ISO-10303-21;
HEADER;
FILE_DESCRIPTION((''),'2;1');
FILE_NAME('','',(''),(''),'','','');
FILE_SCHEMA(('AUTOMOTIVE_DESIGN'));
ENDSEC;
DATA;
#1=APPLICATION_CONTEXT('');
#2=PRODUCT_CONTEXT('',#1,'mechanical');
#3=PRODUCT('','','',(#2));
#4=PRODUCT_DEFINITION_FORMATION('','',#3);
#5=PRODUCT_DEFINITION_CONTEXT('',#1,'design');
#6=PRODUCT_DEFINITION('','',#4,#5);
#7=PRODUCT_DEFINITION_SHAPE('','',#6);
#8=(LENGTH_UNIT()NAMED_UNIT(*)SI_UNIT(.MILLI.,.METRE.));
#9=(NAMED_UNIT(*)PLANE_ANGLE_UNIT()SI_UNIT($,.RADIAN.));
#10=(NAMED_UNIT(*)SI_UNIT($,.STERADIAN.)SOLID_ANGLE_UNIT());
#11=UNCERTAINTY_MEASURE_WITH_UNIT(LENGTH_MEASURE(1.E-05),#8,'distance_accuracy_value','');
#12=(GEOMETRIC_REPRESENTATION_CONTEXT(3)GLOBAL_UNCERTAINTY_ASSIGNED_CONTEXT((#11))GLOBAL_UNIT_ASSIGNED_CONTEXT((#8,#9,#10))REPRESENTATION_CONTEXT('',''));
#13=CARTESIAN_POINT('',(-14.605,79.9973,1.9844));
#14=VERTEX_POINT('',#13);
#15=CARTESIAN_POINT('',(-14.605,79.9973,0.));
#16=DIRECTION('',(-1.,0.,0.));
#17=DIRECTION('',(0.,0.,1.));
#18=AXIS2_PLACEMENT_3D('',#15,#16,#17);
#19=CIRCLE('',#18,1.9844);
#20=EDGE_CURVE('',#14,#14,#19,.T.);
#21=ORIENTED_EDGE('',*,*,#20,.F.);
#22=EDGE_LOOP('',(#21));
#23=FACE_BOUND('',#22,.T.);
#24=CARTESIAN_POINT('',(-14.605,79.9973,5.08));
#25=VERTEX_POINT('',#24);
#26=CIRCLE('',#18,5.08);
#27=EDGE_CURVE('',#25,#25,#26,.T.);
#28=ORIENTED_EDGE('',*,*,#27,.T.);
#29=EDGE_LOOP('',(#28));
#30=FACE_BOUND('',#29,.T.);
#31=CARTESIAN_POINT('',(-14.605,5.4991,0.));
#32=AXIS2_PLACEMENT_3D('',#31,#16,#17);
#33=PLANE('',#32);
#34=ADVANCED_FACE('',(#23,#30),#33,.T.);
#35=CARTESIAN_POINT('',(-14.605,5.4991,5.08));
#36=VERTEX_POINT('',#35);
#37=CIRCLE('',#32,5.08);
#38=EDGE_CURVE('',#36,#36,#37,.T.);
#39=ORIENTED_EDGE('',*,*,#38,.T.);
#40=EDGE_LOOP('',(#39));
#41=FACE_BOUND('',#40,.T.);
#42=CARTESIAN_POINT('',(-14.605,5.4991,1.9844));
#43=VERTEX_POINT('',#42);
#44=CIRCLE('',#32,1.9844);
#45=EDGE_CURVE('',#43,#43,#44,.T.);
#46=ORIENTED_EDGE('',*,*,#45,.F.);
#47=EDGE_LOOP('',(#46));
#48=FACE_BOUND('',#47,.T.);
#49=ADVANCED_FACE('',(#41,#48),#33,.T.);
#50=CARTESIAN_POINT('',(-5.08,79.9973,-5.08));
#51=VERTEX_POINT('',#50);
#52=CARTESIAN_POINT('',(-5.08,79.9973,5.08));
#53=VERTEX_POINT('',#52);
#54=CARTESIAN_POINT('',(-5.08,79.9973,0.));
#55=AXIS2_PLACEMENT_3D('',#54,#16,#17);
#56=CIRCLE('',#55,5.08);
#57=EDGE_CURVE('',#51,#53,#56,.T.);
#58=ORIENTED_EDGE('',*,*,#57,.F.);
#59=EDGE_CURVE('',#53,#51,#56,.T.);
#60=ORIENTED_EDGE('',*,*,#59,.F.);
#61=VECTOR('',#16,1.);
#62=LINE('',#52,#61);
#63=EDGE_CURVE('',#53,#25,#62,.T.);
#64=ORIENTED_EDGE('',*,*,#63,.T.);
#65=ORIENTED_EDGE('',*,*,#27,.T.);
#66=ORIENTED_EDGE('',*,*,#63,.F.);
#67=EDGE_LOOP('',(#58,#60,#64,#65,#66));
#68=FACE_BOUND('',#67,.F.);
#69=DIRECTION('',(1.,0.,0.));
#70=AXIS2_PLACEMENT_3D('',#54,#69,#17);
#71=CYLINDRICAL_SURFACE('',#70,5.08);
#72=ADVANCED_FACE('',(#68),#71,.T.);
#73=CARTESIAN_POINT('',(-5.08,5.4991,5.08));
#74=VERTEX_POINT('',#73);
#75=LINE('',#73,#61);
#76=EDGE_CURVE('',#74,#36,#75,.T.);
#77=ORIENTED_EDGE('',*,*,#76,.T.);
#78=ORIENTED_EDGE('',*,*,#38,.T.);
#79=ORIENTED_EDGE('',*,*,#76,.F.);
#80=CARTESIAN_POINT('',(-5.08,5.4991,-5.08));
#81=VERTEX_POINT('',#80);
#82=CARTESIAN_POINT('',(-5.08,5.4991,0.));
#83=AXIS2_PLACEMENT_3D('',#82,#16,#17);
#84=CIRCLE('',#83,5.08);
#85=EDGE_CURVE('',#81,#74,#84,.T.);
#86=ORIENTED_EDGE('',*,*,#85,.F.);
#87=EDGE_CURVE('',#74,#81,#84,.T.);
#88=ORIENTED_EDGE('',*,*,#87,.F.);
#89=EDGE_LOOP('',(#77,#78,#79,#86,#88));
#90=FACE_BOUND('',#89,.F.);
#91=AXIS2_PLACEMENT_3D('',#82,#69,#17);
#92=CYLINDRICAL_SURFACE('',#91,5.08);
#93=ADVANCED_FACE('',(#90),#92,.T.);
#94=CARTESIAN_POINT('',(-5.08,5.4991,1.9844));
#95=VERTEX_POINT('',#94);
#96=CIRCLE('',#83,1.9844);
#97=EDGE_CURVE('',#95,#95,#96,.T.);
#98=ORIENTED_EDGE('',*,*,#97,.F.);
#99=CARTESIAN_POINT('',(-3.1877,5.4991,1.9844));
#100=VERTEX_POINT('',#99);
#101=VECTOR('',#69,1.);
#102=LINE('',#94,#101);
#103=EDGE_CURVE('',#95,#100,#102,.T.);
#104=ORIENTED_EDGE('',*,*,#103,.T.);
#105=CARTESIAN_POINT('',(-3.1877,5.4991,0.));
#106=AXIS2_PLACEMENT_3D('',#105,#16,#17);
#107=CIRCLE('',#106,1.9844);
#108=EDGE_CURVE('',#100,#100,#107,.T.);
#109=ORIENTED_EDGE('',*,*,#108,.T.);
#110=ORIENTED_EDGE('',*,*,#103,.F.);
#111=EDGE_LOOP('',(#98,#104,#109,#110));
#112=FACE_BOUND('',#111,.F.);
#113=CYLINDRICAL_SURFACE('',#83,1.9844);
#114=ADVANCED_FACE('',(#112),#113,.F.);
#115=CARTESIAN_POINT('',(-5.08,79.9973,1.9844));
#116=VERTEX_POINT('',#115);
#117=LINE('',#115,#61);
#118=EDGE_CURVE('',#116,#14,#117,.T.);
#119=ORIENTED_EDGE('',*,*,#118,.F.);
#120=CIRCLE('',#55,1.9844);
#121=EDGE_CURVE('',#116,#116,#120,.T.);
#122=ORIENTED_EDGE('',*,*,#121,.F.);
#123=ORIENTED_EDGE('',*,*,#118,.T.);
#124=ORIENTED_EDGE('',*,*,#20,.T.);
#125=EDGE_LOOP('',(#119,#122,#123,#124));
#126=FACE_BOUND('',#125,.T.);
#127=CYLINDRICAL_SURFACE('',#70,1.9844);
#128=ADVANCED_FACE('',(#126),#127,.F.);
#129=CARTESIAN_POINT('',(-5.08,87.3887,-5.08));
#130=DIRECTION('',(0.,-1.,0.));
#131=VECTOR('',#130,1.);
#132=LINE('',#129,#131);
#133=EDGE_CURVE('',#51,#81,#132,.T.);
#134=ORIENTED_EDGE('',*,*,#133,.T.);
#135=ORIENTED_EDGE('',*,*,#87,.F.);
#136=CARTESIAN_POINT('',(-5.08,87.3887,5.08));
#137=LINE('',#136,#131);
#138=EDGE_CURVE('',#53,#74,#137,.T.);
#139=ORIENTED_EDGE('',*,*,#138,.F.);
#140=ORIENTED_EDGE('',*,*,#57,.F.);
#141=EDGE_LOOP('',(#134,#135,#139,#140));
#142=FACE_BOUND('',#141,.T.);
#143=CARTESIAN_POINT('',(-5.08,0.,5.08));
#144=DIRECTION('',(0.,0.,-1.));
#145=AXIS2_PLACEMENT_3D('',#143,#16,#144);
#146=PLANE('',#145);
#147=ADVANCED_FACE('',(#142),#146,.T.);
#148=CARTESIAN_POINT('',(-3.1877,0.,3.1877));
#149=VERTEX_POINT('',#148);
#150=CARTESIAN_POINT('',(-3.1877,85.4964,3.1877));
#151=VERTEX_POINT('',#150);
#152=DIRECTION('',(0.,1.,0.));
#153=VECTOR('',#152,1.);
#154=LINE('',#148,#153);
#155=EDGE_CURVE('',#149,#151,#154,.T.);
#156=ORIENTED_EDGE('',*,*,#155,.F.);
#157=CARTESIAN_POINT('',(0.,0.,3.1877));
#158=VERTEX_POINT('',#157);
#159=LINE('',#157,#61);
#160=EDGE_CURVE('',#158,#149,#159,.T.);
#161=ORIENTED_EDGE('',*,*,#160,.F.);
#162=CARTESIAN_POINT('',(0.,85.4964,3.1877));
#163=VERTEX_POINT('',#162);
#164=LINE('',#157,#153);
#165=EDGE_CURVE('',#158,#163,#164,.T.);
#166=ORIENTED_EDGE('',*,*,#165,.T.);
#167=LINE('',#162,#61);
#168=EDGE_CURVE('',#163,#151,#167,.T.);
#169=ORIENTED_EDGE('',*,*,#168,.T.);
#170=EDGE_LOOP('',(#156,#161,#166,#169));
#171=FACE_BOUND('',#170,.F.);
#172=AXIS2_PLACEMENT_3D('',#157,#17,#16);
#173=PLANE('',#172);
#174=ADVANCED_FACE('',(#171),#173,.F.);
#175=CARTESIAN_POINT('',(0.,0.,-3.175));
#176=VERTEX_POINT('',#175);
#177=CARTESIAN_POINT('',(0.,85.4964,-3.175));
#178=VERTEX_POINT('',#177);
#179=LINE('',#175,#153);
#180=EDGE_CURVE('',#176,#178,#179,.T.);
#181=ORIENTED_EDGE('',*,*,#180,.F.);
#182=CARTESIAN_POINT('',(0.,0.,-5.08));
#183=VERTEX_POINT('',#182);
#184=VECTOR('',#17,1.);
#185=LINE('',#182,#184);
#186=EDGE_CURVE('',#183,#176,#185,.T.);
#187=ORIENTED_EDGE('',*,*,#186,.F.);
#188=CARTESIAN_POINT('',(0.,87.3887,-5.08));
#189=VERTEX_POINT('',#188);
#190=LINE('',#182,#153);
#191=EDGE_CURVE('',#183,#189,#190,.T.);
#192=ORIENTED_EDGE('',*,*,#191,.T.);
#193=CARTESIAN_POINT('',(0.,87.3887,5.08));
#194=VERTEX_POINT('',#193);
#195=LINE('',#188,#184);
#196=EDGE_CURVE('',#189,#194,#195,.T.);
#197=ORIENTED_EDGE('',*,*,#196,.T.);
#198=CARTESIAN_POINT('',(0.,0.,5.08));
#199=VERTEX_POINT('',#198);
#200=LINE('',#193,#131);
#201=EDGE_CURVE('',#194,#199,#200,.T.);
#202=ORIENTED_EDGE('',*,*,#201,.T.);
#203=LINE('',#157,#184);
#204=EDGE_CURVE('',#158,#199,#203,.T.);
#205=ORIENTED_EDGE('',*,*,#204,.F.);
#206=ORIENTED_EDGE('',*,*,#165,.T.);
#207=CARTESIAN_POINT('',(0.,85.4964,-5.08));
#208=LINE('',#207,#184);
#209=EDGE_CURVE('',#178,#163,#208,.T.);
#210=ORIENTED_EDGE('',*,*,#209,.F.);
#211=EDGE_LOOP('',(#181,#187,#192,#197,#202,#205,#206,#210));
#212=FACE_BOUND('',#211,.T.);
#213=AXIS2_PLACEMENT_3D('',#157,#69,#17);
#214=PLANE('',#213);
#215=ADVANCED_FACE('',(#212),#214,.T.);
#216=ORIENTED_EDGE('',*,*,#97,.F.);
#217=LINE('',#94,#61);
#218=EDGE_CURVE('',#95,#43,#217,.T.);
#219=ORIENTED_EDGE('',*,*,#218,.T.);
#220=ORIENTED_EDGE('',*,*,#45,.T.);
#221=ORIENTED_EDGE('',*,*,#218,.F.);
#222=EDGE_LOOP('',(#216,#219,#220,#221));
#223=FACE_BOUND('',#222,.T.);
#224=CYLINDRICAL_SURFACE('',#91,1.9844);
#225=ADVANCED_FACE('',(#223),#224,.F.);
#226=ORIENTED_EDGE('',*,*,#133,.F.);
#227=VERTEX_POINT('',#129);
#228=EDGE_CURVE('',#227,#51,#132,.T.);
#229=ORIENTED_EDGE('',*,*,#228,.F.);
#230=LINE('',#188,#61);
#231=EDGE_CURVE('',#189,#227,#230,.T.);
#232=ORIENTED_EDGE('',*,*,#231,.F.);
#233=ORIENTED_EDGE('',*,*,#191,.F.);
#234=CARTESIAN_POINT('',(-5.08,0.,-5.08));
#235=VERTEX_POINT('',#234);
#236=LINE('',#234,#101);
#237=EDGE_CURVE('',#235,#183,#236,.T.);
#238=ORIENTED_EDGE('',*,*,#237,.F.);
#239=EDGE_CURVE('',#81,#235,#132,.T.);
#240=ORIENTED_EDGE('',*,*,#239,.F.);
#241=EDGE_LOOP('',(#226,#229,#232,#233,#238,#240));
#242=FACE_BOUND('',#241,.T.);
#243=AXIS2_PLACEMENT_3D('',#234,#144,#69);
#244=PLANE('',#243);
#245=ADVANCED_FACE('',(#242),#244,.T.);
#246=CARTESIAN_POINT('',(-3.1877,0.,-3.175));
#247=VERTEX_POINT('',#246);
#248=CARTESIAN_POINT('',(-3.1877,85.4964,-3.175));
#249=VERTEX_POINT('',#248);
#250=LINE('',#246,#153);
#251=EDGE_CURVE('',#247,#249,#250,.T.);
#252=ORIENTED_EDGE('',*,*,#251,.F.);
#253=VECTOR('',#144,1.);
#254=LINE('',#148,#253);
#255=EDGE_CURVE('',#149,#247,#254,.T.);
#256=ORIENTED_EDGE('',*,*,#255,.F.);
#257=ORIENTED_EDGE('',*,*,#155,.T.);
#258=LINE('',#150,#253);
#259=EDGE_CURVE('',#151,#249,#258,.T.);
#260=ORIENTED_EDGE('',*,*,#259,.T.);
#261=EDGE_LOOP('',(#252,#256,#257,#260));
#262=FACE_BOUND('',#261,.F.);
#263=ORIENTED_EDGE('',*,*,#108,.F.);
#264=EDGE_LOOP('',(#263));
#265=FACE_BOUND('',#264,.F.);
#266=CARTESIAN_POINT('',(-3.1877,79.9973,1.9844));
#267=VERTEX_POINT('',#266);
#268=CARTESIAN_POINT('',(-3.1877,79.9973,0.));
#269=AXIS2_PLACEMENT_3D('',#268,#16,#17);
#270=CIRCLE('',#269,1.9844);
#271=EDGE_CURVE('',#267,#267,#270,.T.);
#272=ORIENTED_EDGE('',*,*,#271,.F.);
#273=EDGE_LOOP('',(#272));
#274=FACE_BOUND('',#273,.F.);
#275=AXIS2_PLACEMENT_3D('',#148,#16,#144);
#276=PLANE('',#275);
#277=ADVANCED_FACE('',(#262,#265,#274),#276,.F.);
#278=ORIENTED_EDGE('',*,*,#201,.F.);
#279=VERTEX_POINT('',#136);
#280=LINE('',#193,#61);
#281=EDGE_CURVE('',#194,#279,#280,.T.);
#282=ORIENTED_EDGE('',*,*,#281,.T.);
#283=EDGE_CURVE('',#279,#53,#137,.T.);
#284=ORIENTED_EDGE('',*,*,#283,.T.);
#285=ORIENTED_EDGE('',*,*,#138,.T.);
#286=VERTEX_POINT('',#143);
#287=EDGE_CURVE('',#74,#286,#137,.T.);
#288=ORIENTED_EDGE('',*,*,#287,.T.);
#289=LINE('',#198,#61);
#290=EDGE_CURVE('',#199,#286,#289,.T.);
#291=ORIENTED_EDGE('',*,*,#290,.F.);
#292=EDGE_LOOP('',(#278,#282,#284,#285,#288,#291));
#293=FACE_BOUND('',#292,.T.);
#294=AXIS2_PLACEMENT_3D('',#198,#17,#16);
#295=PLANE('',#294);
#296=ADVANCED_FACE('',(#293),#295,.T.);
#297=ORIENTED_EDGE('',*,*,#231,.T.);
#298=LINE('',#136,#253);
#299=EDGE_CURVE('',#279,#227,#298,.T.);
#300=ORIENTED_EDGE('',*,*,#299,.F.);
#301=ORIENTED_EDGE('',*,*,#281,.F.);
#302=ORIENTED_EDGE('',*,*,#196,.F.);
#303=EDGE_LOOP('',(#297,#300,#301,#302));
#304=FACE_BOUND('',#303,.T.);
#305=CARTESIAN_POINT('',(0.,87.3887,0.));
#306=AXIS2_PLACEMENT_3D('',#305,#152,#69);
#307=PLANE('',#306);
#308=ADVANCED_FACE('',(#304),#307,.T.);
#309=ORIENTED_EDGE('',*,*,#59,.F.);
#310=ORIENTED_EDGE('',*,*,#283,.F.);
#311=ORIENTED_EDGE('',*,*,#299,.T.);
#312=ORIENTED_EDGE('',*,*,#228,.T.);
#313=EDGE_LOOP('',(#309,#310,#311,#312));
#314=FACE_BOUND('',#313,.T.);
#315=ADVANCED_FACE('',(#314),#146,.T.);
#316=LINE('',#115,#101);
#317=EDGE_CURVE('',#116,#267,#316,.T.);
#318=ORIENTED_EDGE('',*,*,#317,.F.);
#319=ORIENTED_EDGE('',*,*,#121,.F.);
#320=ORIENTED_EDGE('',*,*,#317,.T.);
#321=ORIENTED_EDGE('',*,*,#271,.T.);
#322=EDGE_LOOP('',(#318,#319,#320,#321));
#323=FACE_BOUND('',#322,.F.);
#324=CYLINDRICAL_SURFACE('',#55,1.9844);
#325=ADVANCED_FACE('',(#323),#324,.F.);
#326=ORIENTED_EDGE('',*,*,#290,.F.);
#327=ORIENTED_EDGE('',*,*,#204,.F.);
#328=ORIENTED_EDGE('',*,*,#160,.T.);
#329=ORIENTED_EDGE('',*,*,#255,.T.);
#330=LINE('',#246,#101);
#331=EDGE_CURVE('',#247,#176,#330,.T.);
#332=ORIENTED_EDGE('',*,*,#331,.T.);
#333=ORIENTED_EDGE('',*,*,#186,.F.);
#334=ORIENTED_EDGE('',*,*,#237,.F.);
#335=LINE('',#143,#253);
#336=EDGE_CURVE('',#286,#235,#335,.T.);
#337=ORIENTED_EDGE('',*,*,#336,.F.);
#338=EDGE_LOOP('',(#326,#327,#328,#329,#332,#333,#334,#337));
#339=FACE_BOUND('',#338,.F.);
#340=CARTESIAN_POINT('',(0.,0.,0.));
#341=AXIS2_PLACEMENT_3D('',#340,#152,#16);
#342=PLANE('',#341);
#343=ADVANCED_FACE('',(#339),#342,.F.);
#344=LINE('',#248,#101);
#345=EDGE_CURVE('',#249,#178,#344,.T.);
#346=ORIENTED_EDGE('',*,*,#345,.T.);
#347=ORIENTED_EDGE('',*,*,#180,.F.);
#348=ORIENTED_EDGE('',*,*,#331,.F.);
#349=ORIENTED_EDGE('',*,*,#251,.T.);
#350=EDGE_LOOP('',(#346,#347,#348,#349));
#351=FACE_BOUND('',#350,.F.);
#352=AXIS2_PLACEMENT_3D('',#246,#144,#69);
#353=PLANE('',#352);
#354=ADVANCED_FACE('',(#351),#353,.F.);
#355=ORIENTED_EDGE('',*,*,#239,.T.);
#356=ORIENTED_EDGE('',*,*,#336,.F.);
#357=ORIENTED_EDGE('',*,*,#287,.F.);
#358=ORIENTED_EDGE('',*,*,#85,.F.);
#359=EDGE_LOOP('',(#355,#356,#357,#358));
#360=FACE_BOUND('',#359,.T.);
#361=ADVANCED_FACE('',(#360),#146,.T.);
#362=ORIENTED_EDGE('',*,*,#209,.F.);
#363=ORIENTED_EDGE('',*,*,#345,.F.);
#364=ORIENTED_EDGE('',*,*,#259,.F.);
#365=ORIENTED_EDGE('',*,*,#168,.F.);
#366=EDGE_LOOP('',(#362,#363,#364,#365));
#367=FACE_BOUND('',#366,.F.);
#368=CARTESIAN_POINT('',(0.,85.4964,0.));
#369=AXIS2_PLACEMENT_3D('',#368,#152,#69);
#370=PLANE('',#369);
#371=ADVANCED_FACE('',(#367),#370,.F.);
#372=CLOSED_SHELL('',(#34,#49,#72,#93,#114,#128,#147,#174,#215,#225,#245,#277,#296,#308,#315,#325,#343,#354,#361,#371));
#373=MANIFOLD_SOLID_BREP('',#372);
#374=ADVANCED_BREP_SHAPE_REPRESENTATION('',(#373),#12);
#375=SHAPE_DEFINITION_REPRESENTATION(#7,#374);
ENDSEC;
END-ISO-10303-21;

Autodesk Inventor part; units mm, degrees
ref_plane "YZ Plane" through (0, 0, 0) normal (1, 0, 0) x (0, 1, 0)
ref_plane "XZ Plane" through (0, 0, 0) normal (0, 1, 0) x (-1, 0, 0)
ref_plane "XY Plane" through (0, 0, 0) normal (0, 0, 1) x (1, 0, 0)
sketch "Sketch1" plane through (0, 0, 0) normal (0, 1, 0) x (-1, 0, 0)
  line L0 (0, 3.1877) -> (3.1877, 3.1877)
  line L1 (3.1877, 3.1877) -> (3.1877, -3.175)
  line L2 (3.1877, -3.175) -> (0, -3.175)
  line L3 (0, 5.08) -> (5.08, 5.08)
  line L4 (5.08, 5.08) -> (5.08, -5.08)
  line L5 (5.08, -5.08) -> (0, -5.08)
  line L6 (0, -5.08) -> (0, -3.175)
  line L7 (0, 3.1877) -> (0, 5.08)
  point P0 (0, 0)
  dimension "d0" = 3.1877
  dimension "d1" = 5.08
  dimension "d2" = 10.16
extrude "Extrusion1" add sketch "Sketch1" along normal blind 85.4964
sketch "Sketch2" plane through (0, 85.4964, 0) normal (0, 1, 0) x (1, 0, 0)
  line L0 (0, -5.08) -> (0, -3.1877) projected
  line L1 (0, 5.08) -> (-5.08, 5.08) projected
  line L2 (0, -5.08) -> (-5.08, -5.08)
  line L3 (-5.08, -5.08) -> (-5.08, 5.08)
  line L4 (-5.08, 5.08) -> (0, 5.08)
  line L5 (0, 5.08) -> (0, -5.08)
  point P0 (0, 0)
extrude "Extrusion2" add sketch "Sketch2" along normal blind 1.8923
sketch "Sketch3" plane through (-5.08, 0, -5.08) normal (-1, 0, 0) x (0, 0, 1)
  circle A0 centre (5.08, 5.4991) radius 1.9844
  circle A1 centre (5.08, 79.9973) radius 1.9844
  point P0 (5.08, 0)
  dimension "d7" = 3.9688
  dimension "d8" = 3.9688
extrude "Extrusion3" cut sketch "Sketch3" against normal blind 1.8923
sketch "Sketch4" plane through (-5.08, 5.4991, 0) normal (-1, 0, 0) x (0, 0, 1)
  circle A0 centre (0, 0) radius 1.9844 projected
  circle A1 centre (0, 0) radius 1.9844
  circle A2 centre (0, 0) radius 5.08
  line L0 (5.08, -5.4991) -> (5.08, 81.8896) projected
  circle A3 centre (0, 74.4982) radius 1.9844 projected
  circle A4 centre (0, 74.4982) radius 1.9844
  circle A5 centre (0, 74.4982) radius 5.08
  point P0 (0, -5.4991)
extrude "Extrusion4" add sketch "Sketch4" along normal blind 9.525
properties part number "hs_intake_joint"
